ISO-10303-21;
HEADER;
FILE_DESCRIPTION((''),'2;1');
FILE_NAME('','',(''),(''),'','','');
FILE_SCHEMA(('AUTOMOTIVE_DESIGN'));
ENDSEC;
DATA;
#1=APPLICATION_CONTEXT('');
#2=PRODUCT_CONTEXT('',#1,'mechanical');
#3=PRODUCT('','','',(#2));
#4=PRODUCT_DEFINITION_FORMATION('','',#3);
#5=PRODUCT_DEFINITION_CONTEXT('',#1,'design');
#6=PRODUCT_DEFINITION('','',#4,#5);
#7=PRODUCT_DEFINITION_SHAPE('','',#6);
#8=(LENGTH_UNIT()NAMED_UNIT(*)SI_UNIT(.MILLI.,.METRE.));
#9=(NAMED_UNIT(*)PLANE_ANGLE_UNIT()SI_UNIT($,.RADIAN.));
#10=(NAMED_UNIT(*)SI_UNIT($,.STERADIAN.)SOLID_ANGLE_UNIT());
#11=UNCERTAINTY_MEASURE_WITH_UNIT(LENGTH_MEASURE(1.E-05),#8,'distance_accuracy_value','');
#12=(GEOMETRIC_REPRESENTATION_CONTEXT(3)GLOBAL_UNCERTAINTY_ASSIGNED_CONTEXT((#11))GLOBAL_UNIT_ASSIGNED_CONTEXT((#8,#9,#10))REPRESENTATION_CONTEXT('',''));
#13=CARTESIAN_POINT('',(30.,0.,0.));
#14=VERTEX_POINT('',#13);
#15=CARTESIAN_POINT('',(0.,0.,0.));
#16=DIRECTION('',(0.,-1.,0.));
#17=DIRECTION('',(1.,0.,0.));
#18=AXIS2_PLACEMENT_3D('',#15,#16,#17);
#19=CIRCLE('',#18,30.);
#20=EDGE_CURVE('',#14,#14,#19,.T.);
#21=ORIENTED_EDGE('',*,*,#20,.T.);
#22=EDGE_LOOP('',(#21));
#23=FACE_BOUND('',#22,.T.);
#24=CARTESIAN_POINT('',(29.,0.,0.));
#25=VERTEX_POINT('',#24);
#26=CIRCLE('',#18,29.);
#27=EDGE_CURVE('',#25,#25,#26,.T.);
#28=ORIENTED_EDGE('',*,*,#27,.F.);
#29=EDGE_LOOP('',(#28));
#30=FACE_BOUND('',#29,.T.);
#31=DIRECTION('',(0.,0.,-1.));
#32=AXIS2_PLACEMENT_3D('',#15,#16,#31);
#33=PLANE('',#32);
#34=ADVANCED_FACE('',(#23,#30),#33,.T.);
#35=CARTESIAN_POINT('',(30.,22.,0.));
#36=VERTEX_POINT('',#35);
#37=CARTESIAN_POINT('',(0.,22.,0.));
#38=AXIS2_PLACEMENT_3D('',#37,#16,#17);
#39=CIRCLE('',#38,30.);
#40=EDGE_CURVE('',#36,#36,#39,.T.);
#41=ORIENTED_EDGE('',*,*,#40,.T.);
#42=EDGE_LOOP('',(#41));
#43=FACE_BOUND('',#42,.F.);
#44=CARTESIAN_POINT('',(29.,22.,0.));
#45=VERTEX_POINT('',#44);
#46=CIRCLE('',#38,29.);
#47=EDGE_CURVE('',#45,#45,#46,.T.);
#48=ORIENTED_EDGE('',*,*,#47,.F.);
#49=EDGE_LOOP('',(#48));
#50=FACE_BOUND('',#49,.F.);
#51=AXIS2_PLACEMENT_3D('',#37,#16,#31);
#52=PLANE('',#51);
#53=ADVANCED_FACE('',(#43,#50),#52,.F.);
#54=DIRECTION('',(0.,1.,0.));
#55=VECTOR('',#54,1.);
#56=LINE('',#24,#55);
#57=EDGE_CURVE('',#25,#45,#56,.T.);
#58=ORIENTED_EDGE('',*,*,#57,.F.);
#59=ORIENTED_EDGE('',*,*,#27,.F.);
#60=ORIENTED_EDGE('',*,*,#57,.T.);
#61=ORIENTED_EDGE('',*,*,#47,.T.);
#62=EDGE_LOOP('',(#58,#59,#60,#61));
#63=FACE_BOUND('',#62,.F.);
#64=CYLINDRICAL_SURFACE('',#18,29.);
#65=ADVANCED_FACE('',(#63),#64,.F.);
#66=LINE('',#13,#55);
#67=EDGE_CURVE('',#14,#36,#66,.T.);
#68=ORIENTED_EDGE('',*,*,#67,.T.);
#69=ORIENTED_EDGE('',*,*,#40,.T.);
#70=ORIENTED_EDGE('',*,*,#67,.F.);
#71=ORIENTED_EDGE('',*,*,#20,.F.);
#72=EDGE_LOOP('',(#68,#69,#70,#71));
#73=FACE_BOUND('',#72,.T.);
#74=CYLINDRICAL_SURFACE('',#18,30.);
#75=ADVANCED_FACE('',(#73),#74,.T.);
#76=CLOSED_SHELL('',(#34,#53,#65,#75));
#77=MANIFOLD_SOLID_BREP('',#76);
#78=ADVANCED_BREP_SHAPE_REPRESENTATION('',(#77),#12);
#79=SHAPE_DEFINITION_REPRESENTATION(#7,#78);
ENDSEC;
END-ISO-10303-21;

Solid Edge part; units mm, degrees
sketch "Sketch1" plane through (0, 0, 0) normal (0, -1, 0) x (1, 0, 0)
  circle A0 centre (0, 0) radius 29
  circle A1 centre (0, 0) radius 30
  dimension "D1" = 58
  dimension "D2" = 60
extrude "Protrusion1" add sketch "Sketch1" against normal blind 22
